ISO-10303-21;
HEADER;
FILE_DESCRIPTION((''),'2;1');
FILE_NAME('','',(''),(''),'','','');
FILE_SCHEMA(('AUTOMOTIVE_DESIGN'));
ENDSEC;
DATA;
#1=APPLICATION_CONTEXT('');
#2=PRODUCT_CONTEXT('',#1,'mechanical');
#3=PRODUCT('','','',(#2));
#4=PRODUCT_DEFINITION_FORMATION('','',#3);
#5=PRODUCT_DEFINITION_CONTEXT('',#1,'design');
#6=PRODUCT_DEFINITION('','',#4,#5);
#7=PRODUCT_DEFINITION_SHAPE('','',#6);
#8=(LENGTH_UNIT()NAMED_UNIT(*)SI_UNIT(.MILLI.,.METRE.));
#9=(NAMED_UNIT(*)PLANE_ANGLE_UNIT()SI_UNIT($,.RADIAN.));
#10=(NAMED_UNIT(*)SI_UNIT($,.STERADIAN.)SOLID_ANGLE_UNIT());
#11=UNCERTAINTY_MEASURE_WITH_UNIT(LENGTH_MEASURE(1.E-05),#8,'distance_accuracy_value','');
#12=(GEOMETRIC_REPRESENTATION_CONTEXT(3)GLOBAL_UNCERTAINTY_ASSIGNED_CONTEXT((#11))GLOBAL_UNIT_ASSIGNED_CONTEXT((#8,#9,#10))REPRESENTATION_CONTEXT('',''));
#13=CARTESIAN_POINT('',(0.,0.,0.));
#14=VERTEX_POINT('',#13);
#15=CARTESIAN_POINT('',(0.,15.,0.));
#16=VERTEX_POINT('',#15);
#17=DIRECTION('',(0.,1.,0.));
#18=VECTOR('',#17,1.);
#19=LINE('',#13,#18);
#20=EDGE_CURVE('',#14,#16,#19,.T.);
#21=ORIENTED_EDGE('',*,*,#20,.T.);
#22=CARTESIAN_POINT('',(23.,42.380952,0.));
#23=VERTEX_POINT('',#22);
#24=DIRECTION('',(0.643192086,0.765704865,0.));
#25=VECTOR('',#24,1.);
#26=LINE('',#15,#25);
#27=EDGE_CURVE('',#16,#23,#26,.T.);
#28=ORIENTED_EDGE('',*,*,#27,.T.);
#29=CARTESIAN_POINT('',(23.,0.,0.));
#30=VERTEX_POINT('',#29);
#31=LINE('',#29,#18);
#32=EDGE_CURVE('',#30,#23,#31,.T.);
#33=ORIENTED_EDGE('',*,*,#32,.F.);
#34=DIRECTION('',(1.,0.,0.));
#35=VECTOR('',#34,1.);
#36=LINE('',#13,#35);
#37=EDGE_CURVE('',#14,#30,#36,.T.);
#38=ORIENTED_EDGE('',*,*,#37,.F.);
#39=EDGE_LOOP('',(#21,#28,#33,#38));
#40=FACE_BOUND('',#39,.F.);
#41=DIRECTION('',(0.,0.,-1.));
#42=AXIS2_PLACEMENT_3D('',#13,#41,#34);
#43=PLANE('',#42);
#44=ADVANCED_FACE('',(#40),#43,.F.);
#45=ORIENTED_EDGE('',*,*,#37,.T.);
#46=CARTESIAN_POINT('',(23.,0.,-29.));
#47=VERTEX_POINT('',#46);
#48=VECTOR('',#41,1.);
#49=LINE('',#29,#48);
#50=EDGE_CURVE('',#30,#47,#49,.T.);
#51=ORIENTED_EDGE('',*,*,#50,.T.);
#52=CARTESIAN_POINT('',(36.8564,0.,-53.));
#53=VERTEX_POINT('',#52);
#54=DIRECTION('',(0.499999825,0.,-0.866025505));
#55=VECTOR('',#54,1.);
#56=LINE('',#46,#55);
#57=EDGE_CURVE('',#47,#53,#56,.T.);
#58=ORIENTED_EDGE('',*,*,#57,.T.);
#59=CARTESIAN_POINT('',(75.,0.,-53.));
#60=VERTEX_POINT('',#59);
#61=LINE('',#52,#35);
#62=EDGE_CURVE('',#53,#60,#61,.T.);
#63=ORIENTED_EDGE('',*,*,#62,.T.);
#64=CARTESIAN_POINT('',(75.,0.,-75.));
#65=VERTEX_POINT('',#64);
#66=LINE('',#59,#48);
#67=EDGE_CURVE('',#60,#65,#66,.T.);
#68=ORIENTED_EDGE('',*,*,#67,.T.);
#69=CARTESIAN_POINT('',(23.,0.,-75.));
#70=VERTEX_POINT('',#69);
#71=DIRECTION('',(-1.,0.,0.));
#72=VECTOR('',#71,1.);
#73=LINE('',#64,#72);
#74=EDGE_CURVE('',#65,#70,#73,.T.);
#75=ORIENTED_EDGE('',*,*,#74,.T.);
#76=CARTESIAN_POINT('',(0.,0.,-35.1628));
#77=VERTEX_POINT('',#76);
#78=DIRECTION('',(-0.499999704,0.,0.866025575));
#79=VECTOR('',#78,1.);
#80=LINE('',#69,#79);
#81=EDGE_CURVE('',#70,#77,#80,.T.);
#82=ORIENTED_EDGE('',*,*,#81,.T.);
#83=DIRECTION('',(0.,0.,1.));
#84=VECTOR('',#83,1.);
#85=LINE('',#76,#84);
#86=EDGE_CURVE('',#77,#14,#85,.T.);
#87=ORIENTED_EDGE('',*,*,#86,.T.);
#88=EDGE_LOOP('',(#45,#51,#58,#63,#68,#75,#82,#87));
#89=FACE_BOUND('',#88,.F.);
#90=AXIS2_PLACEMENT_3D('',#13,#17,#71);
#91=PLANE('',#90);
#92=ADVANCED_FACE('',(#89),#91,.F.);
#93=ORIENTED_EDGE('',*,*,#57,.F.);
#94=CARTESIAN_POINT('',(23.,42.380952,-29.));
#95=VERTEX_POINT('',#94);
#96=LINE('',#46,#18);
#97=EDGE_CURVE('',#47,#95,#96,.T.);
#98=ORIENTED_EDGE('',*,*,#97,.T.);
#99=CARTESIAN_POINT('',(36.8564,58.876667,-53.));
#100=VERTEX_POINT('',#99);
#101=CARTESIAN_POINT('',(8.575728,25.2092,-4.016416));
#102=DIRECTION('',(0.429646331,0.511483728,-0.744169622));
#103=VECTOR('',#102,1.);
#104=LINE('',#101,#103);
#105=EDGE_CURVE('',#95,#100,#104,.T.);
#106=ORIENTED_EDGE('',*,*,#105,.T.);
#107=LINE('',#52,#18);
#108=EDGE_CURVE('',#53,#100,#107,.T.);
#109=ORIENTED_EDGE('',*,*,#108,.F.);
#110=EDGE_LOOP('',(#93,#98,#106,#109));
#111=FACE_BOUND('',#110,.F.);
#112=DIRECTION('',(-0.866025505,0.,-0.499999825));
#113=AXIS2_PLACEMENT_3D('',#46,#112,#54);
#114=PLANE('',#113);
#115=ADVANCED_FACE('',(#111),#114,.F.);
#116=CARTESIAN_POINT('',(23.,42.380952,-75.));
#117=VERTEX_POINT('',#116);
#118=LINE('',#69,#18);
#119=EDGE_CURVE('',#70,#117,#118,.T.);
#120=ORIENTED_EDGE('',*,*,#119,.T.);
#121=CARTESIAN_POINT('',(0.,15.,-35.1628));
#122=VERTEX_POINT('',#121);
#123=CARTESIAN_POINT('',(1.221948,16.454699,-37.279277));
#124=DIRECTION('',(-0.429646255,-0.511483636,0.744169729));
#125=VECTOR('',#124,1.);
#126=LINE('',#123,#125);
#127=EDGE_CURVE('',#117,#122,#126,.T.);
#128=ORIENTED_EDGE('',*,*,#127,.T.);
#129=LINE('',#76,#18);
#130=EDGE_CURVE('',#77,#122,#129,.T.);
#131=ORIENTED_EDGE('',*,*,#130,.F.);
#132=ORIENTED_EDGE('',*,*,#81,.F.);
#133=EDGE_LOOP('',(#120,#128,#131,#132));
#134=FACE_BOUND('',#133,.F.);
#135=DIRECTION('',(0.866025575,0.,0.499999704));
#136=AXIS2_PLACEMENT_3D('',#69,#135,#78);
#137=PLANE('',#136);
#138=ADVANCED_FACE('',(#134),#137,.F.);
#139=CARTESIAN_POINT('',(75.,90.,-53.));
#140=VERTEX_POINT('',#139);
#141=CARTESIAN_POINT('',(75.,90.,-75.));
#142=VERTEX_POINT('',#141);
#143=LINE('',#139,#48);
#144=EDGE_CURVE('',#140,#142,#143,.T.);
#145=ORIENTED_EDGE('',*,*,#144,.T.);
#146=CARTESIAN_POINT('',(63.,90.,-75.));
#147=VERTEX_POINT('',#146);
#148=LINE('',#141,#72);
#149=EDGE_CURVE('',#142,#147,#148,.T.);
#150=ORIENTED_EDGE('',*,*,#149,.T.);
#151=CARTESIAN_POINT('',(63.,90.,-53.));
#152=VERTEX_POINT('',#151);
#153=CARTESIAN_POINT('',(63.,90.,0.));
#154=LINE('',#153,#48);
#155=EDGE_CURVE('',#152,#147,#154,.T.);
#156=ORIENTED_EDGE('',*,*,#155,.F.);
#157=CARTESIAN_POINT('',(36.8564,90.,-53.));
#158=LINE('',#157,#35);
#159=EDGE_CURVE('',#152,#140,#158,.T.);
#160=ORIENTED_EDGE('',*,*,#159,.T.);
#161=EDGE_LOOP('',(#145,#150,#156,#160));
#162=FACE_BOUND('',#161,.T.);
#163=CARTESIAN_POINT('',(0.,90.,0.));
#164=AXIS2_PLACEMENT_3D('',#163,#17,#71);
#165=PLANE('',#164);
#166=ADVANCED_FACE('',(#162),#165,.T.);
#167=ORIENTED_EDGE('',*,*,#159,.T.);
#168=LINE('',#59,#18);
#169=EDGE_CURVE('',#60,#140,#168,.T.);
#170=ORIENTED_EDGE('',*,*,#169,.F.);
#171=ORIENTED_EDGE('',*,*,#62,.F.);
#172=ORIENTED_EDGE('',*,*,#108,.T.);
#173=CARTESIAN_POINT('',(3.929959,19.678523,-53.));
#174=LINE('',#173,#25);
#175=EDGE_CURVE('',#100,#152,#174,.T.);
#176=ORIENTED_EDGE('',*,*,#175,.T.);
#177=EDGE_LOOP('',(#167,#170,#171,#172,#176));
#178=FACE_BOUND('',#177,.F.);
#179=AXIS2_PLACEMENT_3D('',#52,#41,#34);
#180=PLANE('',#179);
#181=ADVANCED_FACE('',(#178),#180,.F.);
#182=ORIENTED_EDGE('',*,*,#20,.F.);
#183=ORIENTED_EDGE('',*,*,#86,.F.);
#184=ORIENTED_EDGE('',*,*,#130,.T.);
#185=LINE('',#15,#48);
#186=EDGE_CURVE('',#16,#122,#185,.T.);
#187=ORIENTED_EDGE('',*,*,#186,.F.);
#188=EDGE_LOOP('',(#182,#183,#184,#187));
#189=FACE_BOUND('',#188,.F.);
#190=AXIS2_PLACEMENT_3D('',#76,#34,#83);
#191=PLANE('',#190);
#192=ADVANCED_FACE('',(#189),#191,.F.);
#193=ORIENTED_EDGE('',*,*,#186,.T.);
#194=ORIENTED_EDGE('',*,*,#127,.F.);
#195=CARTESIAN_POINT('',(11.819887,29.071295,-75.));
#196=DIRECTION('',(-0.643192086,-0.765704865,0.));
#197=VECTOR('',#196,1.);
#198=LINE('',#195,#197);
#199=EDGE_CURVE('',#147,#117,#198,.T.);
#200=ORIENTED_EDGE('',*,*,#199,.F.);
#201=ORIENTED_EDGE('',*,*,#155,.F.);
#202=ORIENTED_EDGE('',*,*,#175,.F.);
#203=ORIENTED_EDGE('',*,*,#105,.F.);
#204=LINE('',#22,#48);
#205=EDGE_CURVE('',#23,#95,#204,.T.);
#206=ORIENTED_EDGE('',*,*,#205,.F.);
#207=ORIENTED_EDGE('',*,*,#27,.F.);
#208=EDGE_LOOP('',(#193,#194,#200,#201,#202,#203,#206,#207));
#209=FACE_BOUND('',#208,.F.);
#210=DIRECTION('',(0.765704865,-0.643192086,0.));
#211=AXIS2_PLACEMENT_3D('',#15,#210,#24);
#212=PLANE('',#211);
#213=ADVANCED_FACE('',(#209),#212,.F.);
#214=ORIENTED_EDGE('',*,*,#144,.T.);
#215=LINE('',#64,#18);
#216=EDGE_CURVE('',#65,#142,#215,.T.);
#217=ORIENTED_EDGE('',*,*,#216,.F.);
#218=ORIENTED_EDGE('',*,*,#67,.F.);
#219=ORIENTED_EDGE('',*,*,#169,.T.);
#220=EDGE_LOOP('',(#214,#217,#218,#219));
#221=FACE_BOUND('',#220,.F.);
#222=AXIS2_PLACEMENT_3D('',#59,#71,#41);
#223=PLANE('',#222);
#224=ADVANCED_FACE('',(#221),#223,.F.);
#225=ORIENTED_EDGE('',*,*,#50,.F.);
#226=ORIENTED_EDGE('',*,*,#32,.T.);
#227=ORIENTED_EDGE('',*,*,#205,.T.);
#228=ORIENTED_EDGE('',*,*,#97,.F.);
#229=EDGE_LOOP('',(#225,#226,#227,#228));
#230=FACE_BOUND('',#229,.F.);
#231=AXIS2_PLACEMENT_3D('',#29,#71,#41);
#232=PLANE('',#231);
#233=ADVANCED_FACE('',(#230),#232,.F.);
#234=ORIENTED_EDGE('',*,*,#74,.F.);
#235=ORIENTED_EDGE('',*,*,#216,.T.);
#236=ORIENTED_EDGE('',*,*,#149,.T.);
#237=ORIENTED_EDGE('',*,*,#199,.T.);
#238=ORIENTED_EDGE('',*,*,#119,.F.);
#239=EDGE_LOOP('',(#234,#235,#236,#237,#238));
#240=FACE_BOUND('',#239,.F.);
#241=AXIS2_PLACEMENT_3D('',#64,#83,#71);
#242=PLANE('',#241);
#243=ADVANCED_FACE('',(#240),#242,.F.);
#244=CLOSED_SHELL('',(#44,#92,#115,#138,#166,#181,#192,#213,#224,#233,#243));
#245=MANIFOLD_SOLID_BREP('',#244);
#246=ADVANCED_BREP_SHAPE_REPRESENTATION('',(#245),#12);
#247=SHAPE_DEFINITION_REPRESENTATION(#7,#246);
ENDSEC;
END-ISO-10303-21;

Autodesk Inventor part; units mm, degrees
ref_plane "YZ Plane" through (0, 0, 0) normal (1, 0, 0) x (0, 1, 0)
ref_plane "XZ Plane" through (0, 0, 0) normal (0, 1, 0) x (-1, 0, 0)
ref_plane "XY Plane" through (0, 0, 0) normal (0, 0, 1) x (1, 0, 0)
sketch "草圖1" plane through (0, 0, 0) normal (0, 1, 0) x (-1, 0, 0)
  line L0 (0, 0) -> (-23, 0)
  line L1 (-23, 0) -> (-23, -29)
  line L2 (-23, -29) -> (-36.8564, -53)
  line L3 (-36.8564, -53) -> (-75, -53)
  line L4 (-75, -53) -> (-75, -75)
  line L5 (-75, -75) -> (-23, -75)
  line L6 (-23, -75) -> (0, -35.1628)
  line L7 (0, -35.1628) -> (0, 0)
  dimension "d1" = 23
  dimension "d2" = 75
  dimension "d3" = 23
  dimension "d4" = 22
  dimension "d5" = 120
  dimension "d6" = 75
extrude "擠出1" add sketch "草圖1" along normal blind 90
sketch "草圖2" plane through (0, 0, 0) normal (0, 0, 1) x (1, 0, 0)
  line L0 (0, 15) -> (63, 90)
  line L1 (36.8564, 90) -> (75, 90) projected
  line L2 (23, 90) -> (0, 90) projected
  line L3 (63, 90) -> (0, 90)
  line L4 (0, 90) -> (0, 15)
  line L5 (75, 0) -> (75, 90) projected
  point P0 (0, 0)
  dimension "d9" = 12
  dimension "d10" = 15
extrude "擠出2" cut sketch "草圖2" against normal up to next
properties part number "複習二"
